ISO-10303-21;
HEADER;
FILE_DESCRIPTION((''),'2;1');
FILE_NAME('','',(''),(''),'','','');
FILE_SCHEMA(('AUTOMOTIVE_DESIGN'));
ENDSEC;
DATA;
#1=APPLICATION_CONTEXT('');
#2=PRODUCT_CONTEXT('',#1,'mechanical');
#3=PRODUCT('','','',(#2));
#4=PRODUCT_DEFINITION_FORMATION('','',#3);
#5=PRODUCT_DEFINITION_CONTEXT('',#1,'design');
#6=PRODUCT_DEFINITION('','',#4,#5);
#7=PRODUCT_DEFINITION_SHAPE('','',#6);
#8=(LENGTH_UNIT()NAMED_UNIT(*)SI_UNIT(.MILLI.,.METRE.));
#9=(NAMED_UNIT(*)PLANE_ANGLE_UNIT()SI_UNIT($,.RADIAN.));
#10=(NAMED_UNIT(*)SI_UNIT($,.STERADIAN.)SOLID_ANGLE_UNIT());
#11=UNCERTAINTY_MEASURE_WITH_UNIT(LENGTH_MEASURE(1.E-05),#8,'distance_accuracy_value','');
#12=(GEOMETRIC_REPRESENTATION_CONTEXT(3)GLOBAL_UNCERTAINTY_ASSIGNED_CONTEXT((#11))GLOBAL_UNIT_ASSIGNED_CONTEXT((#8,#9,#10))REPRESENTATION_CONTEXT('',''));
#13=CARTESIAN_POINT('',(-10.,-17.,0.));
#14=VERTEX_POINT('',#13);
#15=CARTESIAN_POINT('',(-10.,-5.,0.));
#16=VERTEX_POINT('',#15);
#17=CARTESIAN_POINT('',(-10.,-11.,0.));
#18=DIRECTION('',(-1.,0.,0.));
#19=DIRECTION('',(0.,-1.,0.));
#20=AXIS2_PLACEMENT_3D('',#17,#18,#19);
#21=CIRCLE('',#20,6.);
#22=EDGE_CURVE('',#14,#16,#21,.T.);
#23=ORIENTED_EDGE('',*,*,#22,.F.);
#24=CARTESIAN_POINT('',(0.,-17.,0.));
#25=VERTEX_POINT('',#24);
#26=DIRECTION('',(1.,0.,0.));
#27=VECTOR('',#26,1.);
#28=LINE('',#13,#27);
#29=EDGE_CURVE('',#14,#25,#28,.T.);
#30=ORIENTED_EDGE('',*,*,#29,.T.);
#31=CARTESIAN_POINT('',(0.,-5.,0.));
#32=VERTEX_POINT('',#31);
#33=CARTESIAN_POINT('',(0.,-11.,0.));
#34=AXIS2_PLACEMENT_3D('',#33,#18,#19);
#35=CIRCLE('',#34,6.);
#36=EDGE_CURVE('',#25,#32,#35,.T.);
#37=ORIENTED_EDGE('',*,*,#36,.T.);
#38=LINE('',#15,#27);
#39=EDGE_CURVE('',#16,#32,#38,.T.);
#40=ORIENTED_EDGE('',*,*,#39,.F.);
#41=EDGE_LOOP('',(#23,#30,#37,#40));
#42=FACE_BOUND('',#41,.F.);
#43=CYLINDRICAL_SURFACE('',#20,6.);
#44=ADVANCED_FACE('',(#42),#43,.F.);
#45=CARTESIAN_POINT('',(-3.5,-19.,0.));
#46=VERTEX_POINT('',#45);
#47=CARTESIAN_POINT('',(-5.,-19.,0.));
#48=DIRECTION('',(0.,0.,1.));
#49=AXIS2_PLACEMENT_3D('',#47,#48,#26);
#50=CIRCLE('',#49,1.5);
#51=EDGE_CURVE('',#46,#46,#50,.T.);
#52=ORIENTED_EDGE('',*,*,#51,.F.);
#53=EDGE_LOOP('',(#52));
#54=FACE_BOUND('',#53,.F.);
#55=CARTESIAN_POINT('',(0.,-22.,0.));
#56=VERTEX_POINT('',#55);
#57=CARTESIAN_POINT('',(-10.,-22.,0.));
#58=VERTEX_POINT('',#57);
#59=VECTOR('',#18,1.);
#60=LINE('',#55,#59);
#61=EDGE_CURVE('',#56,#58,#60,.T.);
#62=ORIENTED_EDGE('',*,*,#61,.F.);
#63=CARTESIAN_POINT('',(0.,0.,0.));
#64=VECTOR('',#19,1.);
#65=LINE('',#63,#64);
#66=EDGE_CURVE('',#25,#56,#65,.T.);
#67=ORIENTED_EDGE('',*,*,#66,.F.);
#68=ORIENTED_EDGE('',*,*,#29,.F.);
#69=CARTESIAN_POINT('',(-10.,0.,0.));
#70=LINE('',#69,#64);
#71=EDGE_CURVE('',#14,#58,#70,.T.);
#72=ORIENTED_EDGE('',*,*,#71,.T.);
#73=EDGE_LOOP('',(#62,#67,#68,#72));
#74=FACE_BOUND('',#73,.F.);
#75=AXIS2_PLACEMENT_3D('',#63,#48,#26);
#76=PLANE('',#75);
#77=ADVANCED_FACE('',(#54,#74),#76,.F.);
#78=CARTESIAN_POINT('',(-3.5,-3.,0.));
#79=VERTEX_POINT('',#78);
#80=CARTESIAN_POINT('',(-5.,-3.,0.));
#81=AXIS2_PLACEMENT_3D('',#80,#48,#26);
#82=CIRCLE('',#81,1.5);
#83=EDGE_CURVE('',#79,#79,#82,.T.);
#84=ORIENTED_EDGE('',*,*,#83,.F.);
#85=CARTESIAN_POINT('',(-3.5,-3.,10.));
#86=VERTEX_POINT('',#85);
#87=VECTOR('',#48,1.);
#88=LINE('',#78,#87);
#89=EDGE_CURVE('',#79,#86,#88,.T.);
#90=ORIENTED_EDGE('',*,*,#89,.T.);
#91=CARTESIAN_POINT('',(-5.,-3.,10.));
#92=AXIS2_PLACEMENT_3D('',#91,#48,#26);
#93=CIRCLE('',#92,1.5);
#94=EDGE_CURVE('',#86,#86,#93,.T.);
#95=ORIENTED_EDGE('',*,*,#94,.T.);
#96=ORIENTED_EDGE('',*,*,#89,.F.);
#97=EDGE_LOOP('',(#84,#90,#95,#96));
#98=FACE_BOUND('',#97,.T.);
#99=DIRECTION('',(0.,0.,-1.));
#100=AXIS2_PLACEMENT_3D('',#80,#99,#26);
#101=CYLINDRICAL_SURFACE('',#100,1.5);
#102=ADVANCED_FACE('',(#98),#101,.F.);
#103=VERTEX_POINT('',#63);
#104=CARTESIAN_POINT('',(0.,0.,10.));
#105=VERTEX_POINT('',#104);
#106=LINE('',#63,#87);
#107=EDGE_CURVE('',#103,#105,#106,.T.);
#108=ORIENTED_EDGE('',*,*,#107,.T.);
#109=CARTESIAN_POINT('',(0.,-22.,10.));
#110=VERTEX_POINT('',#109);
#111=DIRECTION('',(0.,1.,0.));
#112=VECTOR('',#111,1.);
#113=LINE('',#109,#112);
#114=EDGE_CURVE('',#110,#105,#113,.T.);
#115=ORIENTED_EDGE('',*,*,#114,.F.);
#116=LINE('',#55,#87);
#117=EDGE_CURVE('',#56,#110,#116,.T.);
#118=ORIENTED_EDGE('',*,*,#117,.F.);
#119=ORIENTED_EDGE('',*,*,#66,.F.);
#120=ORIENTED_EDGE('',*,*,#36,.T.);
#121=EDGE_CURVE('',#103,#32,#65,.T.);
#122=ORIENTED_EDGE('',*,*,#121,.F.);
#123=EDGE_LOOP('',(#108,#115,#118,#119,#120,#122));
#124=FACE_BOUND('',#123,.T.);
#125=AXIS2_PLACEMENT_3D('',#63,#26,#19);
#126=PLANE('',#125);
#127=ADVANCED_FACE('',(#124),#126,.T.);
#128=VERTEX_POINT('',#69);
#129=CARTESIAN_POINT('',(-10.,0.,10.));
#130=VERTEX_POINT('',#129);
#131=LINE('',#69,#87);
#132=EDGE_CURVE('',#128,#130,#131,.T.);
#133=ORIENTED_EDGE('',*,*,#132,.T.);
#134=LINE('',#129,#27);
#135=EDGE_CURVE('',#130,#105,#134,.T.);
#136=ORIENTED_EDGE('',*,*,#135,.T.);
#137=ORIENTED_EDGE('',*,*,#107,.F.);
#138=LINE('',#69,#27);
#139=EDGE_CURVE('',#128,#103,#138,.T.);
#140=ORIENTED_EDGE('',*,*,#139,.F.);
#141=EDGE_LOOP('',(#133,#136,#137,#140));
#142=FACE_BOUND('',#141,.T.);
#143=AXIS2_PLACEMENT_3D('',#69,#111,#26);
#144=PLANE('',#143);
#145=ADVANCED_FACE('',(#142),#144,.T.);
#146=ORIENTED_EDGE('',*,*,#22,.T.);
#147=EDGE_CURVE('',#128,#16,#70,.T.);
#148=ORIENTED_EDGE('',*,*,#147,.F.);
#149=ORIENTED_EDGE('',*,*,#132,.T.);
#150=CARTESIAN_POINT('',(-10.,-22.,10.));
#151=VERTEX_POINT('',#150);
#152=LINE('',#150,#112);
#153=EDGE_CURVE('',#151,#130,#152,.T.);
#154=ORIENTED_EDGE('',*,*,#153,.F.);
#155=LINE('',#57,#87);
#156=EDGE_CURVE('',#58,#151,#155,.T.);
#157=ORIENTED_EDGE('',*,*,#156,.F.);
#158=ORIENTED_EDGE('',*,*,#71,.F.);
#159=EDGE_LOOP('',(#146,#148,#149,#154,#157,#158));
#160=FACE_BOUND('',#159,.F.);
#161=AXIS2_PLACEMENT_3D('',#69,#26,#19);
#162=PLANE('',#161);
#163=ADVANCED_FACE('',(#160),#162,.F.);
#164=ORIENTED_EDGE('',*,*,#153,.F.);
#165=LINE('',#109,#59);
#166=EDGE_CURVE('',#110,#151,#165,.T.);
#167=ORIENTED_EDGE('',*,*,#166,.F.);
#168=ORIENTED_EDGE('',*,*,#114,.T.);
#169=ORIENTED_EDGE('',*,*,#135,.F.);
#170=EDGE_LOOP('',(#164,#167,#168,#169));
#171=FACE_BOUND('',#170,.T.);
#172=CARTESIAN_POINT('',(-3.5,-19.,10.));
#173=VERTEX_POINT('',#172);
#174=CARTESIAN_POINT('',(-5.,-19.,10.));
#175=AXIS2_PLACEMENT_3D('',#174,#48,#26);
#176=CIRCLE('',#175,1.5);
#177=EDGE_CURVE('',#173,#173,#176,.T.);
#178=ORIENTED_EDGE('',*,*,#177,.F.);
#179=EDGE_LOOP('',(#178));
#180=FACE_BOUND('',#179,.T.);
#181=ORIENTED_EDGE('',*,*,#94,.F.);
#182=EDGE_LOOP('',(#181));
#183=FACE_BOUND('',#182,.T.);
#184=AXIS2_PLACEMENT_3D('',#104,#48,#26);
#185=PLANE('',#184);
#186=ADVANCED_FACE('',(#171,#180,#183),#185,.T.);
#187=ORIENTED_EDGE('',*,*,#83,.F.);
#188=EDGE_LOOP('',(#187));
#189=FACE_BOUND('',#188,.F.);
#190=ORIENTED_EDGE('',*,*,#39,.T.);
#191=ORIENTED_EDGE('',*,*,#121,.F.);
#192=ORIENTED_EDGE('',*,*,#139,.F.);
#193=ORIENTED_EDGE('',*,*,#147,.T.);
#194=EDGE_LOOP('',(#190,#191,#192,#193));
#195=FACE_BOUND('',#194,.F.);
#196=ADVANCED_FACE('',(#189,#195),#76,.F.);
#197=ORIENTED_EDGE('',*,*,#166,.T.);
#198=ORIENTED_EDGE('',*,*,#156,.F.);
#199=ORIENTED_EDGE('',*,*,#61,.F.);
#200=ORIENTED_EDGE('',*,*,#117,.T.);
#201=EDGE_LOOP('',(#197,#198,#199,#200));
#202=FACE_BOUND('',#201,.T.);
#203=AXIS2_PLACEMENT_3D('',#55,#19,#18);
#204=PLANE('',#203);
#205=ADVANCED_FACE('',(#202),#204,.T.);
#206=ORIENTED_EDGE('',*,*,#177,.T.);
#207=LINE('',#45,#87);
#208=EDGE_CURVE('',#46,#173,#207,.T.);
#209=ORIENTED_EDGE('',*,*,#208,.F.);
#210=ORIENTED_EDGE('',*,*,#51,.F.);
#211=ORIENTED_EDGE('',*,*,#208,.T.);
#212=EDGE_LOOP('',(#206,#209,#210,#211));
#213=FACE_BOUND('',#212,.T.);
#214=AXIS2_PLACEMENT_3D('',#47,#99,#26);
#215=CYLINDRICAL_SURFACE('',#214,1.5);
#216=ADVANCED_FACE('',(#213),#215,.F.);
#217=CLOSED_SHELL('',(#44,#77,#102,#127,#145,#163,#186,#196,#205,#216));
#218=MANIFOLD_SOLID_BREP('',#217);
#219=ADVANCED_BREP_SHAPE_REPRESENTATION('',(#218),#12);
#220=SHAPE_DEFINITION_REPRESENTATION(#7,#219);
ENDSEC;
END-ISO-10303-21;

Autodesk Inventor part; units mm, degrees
ref_plane "YZ Plane" through (0, 0, 0) normal (1, 0, 0) x (0, 1, 0)
ref_plane "XZ Plane" through (0, 0, 0) normal (0, 1, 0) x (-1, 0, 0)
ref_plane "XY Plane" through (0, 0, 0) normal (0, 0, 1) x (1, 0, 0)
sketch "Sketch1" plane through (0, 0, 0) normal (0, 0, 1) x (1, 0, 0)
  circle A0 centre (-5, -3) radius 1.5 projected
  line L0 (-10, -5) -> (0, -5) projected
  line L1 (0, 0) -> (0, -5) projected
  line L2 (-10, 0) -> (0, 0) projected
  line L3 (-10, 0) -> (-10, -5) projected
  circle A1 centre (-5, -3) radius 1.5 projected
  circle A2 centre (-5, -19) radius 1.5 projected
  line L4 (0, -17) -> (-10, -17) projected
  line L5 (-10, -17) -> (-10, -22) projected
  line L6 (0, -22) -> (-10, -22) projected
  line L7 (0, -17) -> (0, -22) projected
  circle A3 centre (-5, -19) radius 1.5 projected
  line L8 (-10, -17) -> (-10, -5) projected
  line L9 (0, -5) -> (0, -17) projected
extrude "Extrusion1" add sketch "Sketch1" along normal blind 10
sketch "Sketch2" plane through (-10, -22, 0) normal (-1, 0, 0) x (0, 0, 1)
  line L0 (0, 22) -> (0, 0) projected
  arc A0 (0, 5) -> (0, 17) centre (0, 11) ccw
  dimension "d2" = 12
extrude "Extrusion2" cut sketch "Sketch2" against normal up to surface (10 mm away)
properties part number "145 part"
